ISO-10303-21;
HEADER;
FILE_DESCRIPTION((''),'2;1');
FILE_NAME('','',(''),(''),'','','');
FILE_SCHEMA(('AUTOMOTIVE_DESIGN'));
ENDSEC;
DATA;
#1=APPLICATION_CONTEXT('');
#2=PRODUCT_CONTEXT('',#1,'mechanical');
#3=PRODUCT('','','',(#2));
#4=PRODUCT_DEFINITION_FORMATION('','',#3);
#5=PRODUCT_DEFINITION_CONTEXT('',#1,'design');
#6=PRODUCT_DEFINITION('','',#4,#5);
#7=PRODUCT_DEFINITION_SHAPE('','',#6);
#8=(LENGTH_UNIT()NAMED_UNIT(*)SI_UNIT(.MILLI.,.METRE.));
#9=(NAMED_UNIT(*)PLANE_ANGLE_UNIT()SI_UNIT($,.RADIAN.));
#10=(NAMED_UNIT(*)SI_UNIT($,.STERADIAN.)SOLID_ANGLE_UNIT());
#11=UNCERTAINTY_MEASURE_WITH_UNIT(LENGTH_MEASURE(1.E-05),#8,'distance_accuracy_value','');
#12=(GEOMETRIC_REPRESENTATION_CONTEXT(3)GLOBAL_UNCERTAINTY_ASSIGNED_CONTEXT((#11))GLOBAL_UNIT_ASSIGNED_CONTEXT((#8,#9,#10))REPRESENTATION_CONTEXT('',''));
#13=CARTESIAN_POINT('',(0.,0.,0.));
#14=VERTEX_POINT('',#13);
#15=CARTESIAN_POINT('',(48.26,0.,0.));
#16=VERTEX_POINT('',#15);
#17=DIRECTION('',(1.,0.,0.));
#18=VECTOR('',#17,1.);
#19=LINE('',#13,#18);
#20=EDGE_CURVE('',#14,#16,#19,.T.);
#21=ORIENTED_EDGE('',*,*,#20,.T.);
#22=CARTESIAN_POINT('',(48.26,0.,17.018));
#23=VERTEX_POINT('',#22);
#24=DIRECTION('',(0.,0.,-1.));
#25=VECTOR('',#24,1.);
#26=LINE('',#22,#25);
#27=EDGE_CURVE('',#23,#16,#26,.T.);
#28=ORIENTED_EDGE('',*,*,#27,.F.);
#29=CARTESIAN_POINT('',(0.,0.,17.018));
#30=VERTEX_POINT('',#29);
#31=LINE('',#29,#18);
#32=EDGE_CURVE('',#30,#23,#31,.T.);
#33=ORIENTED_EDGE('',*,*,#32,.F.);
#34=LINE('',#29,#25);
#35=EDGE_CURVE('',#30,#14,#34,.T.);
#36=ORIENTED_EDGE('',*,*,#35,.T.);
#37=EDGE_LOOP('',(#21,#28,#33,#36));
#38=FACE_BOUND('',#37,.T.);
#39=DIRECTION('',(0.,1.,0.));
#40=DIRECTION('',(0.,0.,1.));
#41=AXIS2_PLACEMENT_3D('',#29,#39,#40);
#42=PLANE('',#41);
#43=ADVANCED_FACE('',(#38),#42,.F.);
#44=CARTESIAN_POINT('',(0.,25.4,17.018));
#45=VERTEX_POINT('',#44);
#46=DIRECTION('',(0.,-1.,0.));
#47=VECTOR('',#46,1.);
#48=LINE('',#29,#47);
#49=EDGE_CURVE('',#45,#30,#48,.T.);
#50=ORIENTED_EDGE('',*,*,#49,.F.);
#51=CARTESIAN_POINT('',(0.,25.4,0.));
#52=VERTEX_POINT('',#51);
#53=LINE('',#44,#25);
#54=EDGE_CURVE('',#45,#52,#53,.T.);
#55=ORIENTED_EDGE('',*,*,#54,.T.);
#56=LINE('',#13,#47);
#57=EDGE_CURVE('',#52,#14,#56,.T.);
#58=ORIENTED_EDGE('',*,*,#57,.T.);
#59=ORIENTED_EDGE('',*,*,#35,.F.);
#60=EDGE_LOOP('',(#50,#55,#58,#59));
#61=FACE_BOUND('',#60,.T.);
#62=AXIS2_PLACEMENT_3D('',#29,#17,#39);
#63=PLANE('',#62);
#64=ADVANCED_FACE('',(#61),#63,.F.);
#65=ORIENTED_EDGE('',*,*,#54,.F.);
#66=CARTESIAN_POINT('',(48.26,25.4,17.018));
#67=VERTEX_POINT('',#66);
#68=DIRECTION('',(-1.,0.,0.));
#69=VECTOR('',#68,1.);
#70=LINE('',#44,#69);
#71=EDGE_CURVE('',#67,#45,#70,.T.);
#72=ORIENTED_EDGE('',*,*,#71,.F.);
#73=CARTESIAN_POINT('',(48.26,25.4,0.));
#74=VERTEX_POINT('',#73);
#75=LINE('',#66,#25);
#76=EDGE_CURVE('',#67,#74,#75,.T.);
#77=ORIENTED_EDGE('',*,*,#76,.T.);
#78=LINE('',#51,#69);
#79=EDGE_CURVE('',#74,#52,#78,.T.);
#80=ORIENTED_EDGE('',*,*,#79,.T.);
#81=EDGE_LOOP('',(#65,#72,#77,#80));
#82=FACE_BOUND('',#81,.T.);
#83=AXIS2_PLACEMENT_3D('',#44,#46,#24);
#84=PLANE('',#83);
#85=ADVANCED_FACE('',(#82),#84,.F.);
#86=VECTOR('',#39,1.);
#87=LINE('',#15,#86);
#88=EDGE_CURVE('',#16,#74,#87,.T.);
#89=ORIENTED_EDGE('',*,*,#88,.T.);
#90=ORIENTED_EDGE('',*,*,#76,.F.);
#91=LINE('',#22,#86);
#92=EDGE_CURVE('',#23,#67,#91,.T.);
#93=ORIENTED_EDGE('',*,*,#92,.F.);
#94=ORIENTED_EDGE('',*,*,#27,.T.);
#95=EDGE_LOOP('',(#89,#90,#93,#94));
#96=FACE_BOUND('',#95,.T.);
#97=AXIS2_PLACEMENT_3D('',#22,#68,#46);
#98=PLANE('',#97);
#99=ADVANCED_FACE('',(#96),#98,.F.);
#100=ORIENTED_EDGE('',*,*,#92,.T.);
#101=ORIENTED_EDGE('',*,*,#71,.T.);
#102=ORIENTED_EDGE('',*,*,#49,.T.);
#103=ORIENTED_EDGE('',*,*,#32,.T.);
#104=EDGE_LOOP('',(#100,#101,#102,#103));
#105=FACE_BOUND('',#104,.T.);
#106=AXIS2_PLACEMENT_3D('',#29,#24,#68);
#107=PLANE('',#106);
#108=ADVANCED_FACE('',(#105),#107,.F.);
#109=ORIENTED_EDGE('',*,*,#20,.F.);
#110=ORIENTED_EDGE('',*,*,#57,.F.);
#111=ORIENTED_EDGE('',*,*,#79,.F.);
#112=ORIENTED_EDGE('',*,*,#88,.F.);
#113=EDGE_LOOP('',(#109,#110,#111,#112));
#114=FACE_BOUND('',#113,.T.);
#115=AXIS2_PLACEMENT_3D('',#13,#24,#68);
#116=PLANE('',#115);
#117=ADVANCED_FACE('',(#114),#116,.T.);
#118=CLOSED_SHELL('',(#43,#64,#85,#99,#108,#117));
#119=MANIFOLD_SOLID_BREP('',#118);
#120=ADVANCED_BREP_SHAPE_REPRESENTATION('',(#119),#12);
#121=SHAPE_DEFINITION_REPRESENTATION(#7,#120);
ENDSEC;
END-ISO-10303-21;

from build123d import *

# Parameters (mm, degrees)
SKETCH1_W           = 48.26
SKETCH1_H           = 25.4
BOSS_EXTRUDE1_DEPTH = 17.018


with BuildPart() as part:
    # Sketch1 → Boss-Extrude1 (new body)
    with BuildSketch(Plane.XY):
        with Locations((24.13, 12.7)):
            Rectangle(SKETCH1_W, SKETCH1_H)
    extrude(amount=BOSS_EXTRUDE1_DEPTH)


solid = part.part
